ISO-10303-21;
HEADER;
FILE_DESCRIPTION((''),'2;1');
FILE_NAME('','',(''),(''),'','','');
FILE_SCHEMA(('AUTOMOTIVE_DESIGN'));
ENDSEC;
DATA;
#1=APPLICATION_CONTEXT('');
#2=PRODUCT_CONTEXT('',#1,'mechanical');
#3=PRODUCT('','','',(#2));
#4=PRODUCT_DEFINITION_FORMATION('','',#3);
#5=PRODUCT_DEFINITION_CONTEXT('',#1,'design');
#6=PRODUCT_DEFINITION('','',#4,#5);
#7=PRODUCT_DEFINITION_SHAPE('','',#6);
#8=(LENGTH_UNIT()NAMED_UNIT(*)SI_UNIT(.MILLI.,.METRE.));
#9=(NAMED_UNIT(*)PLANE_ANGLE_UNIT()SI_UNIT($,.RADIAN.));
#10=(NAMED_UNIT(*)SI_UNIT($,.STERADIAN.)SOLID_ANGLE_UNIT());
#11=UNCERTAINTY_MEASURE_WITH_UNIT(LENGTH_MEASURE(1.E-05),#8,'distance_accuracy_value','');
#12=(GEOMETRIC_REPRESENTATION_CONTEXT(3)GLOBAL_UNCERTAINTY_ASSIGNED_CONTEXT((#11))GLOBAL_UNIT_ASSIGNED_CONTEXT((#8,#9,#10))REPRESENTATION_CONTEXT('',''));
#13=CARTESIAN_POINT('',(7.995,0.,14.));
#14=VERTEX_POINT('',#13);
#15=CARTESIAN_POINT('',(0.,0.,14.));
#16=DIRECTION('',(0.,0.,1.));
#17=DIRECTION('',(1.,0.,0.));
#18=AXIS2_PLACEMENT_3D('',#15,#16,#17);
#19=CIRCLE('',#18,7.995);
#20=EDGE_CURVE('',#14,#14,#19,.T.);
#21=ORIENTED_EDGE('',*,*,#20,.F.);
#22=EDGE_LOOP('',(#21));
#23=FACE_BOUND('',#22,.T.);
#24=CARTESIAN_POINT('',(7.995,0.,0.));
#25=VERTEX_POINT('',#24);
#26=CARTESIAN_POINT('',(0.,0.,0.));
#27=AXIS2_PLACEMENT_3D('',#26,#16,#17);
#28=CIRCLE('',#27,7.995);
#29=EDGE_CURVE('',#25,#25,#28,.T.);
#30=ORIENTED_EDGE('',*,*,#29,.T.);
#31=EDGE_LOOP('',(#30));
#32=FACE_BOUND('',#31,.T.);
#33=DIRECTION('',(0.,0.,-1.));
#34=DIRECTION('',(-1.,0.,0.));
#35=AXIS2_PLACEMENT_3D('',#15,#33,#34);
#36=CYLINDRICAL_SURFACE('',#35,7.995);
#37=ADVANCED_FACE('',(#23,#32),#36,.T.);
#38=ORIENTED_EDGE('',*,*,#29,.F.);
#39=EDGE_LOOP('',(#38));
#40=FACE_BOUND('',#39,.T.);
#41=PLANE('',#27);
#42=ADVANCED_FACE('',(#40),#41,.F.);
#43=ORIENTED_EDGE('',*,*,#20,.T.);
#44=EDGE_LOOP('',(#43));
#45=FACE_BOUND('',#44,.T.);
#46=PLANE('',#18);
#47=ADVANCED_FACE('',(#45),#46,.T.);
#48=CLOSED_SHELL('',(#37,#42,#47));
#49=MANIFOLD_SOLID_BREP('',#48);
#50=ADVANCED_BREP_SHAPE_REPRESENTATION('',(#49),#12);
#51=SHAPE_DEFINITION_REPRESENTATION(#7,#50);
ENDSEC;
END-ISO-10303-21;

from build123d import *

# Parameters (mm, degrees)
SKETCH1_R      = 7.995
EXTRUDE1_DEPTH = 14


with BuildPart() as part:
    # Sketch1 → Extrude1 (new body)
    with BuildSketch(Plane.XY):
        Circle(SKETCH1_R)
    extrude(amount=EXTRUDE1_DEPTH)


solid = part.part
